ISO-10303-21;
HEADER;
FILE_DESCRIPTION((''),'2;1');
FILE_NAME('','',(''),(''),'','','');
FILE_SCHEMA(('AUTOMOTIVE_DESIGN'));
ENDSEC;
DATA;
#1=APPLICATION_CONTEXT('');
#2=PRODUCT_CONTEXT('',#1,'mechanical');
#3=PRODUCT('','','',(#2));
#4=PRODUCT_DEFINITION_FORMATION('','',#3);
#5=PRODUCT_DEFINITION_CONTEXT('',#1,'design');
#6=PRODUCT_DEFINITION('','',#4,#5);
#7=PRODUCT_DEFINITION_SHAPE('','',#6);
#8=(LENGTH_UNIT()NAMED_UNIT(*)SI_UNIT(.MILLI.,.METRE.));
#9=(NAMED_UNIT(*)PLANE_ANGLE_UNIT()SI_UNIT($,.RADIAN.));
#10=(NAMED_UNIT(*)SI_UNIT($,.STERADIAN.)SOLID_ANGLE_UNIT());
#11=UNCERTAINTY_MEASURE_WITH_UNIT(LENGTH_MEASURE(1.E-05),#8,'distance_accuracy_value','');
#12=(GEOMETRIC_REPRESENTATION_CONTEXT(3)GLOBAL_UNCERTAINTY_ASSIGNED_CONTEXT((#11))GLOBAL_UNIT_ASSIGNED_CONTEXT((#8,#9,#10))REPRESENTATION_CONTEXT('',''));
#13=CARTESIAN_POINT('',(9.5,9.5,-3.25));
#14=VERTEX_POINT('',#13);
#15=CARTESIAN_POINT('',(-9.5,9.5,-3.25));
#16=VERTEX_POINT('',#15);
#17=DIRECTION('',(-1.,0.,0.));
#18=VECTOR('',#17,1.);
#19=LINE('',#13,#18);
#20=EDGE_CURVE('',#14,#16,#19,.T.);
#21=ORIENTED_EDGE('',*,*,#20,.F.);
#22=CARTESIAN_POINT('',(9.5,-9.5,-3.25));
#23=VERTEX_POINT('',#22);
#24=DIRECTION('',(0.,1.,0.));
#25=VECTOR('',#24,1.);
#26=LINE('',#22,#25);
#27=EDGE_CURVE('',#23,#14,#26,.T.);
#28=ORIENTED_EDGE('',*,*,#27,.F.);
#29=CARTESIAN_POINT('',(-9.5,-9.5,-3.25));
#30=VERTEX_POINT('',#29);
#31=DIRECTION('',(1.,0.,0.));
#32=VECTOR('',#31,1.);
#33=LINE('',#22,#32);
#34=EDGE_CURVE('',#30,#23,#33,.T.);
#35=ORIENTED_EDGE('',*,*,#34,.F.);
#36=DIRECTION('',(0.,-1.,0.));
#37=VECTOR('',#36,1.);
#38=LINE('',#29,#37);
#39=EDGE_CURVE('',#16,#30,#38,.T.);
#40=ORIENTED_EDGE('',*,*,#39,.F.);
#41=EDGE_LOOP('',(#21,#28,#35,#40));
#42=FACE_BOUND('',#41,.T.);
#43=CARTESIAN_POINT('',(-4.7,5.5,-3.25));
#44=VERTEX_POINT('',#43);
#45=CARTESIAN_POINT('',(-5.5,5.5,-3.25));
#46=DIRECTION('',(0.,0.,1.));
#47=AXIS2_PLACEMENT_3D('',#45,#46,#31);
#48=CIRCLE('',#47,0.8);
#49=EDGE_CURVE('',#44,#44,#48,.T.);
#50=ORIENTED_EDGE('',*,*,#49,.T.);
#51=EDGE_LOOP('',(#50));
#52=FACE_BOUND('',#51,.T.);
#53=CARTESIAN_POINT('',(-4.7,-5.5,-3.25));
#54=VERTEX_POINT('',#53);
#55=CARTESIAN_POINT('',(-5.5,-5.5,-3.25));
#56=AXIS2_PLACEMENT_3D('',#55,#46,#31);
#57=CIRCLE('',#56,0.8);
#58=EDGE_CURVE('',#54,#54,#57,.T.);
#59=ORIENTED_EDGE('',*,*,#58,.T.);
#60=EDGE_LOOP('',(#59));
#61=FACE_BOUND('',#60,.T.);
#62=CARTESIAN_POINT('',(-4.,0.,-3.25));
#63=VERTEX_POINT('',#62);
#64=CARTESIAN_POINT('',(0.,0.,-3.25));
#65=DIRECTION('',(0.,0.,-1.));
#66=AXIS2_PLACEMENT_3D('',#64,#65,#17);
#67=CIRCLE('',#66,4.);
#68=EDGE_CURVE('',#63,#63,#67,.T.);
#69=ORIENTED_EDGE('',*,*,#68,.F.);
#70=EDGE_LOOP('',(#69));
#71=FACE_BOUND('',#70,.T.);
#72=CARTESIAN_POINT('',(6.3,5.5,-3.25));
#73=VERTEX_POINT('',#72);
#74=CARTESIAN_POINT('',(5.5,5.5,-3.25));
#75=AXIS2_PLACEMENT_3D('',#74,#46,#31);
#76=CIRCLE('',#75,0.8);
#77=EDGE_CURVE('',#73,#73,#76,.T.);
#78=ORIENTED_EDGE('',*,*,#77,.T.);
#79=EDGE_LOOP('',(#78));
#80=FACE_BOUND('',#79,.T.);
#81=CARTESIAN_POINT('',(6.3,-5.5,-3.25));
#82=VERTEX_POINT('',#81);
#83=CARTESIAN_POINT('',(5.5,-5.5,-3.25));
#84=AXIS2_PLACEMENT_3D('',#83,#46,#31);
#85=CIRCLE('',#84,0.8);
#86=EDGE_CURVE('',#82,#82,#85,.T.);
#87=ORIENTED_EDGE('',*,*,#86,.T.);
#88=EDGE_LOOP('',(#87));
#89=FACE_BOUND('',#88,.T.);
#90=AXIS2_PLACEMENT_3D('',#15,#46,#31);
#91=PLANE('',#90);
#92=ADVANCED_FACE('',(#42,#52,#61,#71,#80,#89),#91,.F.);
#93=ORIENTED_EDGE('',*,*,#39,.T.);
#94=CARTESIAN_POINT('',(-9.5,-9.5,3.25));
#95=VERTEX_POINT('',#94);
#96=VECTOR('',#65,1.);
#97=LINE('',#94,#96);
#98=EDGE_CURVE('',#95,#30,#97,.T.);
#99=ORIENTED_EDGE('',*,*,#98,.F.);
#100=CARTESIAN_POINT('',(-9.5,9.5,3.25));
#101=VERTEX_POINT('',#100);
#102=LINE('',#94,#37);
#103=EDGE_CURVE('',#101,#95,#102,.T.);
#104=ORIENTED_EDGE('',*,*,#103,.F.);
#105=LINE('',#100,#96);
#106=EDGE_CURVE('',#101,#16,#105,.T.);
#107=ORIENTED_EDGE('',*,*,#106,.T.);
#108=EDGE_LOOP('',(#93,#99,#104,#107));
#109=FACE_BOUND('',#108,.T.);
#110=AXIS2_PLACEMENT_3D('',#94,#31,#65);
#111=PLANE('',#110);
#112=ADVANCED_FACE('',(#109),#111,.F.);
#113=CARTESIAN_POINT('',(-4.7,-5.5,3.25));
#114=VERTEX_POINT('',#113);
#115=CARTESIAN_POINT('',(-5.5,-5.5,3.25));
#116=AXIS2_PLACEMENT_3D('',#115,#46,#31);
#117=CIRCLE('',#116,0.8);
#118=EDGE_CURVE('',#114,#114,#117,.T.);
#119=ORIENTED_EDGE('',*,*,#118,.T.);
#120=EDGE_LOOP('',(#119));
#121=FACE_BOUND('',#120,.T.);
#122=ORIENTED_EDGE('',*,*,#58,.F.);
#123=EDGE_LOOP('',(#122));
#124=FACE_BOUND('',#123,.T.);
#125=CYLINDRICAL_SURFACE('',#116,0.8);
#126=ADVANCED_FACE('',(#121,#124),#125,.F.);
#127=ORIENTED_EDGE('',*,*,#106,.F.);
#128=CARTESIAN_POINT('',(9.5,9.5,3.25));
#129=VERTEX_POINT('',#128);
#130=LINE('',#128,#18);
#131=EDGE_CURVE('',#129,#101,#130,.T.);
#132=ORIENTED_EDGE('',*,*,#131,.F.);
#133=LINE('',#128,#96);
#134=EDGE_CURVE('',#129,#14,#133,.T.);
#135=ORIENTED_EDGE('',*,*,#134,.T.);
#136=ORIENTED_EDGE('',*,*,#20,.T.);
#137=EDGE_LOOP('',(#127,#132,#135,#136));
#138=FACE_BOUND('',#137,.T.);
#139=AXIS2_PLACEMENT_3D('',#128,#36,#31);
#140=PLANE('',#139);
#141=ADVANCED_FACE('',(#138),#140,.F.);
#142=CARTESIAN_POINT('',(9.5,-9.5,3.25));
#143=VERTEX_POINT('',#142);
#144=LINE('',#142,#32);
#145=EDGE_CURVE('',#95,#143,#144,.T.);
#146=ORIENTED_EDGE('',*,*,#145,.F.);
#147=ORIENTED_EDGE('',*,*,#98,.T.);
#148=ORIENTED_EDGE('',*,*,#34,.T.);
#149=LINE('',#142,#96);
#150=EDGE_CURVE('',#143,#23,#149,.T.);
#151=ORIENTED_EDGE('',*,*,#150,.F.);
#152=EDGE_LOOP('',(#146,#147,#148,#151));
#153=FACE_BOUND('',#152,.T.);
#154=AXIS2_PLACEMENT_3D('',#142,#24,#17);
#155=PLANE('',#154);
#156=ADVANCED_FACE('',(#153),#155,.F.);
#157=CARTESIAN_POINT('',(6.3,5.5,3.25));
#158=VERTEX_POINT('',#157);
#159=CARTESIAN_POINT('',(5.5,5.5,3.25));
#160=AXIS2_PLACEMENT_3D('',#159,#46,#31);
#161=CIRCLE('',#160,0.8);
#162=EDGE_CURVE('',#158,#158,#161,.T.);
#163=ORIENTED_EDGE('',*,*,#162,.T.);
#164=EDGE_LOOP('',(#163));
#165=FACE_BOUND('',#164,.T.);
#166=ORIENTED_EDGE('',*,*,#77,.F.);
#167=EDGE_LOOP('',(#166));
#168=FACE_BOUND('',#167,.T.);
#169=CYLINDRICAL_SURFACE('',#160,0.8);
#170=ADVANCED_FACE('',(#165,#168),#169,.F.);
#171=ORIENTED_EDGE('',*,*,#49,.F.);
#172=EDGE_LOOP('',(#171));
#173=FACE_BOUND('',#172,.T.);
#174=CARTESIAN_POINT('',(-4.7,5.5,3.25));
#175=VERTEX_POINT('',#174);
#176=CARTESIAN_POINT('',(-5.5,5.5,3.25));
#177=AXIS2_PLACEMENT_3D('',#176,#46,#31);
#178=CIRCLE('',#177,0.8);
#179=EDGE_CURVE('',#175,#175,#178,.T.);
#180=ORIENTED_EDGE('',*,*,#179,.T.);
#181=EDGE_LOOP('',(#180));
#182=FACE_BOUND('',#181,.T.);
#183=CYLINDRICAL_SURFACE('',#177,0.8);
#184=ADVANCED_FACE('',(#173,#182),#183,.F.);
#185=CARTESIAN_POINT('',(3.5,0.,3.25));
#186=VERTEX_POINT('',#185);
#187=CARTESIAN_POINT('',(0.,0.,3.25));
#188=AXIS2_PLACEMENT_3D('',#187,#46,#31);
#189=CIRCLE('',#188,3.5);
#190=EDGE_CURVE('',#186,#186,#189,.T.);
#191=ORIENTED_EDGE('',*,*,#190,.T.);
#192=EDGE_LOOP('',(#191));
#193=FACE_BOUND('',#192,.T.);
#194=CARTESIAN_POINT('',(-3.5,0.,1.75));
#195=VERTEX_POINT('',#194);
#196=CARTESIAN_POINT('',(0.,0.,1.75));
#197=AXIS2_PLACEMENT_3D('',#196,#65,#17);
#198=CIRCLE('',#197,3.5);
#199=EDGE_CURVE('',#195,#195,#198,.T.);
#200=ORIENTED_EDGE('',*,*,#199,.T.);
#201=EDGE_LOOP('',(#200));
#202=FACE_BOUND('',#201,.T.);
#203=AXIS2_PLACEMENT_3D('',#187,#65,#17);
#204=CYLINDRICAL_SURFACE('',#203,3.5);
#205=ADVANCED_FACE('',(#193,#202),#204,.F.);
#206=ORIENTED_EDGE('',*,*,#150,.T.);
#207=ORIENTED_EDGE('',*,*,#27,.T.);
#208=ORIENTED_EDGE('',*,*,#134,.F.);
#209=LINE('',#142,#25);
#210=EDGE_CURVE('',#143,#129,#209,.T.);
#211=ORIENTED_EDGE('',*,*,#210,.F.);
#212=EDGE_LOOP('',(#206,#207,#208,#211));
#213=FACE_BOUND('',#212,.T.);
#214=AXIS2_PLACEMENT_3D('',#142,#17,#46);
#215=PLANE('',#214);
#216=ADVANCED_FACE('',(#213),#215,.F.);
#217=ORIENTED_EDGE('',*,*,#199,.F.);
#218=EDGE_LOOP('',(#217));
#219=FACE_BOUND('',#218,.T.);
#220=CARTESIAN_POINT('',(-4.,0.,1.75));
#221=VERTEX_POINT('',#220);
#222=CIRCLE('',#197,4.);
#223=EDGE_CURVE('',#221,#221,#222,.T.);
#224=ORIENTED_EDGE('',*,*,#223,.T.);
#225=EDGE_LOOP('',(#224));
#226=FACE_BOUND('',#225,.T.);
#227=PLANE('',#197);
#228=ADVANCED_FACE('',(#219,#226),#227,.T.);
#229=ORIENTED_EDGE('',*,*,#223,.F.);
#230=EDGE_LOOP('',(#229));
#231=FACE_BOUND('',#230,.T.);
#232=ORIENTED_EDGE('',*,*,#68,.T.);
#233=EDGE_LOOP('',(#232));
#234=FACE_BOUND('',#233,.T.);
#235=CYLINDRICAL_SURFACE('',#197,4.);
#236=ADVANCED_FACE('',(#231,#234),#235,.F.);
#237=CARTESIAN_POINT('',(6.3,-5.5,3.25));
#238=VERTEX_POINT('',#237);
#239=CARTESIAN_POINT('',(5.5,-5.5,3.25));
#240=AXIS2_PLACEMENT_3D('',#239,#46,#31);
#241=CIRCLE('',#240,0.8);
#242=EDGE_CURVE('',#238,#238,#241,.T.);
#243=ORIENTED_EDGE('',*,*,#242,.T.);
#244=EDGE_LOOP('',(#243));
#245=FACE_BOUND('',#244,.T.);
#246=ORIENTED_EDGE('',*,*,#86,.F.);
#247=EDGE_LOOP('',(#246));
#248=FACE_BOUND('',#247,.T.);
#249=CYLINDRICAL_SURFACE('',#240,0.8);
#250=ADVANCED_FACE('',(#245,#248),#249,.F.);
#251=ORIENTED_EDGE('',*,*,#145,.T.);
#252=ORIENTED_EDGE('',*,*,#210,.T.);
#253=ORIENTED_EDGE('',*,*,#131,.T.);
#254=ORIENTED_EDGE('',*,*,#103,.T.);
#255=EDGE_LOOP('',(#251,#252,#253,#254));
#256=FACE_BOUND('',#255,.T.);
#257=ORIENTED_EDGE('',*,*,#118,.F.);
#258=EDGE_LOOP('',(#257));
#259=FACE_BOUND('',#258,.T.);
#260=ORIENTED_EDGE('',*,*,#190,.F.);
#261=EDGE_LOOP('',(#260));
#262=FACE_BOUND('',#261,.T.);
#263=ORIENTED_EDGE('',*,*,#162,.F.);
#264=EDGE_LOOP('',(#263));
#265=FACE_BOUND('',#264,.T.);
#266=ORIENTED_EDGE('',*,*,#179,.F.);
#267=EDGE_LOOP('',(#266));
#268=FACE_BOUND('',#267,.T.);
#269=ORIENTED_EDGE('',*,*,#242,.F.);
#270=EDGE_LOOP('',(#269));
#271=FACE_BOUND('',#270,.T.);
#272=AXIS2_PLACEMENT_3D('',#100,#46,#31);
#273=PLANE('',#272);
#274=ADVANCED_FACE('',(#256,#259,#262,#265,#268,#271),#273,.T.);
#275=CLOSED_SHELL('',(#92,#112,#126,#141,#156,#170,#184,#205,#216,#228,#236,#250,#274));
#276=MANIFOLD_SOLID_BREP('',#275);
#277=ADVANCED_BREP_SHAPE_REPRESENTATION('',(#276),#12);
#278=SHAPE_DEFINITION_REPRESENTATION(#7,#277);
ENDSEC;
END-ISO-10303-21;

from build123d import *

# Parameters (mm, degrees)
SKETCH1_W                   = 19
SKETCH1_H                   = 19
SKETCH1_R                   = 3.5
BOSS_EXTRUDE1_DEPTH         = 3.25
TAP_DRILL_FOR_M2_TAP1_D     = 1.6
TAP_DRILL_FOR_M2_TAP1_DEPTH = 11.5
SKETCH4_R                   = 4
CUT_EXTRUDE1_DEPTH          = 5


with BuildPart() as part:
    # Sketch1 → Boss-Extrude1 (new body, symmetric)
    with BuildSketch(Plane.XY):
        Rectangle(SKETCH1_W, SKETCH1_H)
        Circle(SKETCH1_R, mode=Mode.SUBTRACT)
    extrude(amount=BOSS_EXTRUDE1_DEPTH, both=True)

    # Tap Drill for M2 Tap1
    with Locations(Plane.XY.offset(3.25)):
        with Locations((-5.5, 5.5), (-5.5, -5.5), (5.5, 5.5), (5.5, -5.5)):
            Hole(TAP_DRILL_FOR_M2_TAP1_D / 2, depth=TAP_DRILL_FOR_M2_TAP1_DEPTH)

    # Sketch4 → Cut-Extrude1 (cut)
    with BuildSketch(Plane(origin=(0, 0, -3.25), x_dir=(-1, 0, 0), z_dir=(0, 0, -1))):
        Circle(SKETCH4_R)
    extrude(amount=-CUT_EXTRUDE1_DEPTH, mode=Mode.SUBTRACT)


solid = part.part
